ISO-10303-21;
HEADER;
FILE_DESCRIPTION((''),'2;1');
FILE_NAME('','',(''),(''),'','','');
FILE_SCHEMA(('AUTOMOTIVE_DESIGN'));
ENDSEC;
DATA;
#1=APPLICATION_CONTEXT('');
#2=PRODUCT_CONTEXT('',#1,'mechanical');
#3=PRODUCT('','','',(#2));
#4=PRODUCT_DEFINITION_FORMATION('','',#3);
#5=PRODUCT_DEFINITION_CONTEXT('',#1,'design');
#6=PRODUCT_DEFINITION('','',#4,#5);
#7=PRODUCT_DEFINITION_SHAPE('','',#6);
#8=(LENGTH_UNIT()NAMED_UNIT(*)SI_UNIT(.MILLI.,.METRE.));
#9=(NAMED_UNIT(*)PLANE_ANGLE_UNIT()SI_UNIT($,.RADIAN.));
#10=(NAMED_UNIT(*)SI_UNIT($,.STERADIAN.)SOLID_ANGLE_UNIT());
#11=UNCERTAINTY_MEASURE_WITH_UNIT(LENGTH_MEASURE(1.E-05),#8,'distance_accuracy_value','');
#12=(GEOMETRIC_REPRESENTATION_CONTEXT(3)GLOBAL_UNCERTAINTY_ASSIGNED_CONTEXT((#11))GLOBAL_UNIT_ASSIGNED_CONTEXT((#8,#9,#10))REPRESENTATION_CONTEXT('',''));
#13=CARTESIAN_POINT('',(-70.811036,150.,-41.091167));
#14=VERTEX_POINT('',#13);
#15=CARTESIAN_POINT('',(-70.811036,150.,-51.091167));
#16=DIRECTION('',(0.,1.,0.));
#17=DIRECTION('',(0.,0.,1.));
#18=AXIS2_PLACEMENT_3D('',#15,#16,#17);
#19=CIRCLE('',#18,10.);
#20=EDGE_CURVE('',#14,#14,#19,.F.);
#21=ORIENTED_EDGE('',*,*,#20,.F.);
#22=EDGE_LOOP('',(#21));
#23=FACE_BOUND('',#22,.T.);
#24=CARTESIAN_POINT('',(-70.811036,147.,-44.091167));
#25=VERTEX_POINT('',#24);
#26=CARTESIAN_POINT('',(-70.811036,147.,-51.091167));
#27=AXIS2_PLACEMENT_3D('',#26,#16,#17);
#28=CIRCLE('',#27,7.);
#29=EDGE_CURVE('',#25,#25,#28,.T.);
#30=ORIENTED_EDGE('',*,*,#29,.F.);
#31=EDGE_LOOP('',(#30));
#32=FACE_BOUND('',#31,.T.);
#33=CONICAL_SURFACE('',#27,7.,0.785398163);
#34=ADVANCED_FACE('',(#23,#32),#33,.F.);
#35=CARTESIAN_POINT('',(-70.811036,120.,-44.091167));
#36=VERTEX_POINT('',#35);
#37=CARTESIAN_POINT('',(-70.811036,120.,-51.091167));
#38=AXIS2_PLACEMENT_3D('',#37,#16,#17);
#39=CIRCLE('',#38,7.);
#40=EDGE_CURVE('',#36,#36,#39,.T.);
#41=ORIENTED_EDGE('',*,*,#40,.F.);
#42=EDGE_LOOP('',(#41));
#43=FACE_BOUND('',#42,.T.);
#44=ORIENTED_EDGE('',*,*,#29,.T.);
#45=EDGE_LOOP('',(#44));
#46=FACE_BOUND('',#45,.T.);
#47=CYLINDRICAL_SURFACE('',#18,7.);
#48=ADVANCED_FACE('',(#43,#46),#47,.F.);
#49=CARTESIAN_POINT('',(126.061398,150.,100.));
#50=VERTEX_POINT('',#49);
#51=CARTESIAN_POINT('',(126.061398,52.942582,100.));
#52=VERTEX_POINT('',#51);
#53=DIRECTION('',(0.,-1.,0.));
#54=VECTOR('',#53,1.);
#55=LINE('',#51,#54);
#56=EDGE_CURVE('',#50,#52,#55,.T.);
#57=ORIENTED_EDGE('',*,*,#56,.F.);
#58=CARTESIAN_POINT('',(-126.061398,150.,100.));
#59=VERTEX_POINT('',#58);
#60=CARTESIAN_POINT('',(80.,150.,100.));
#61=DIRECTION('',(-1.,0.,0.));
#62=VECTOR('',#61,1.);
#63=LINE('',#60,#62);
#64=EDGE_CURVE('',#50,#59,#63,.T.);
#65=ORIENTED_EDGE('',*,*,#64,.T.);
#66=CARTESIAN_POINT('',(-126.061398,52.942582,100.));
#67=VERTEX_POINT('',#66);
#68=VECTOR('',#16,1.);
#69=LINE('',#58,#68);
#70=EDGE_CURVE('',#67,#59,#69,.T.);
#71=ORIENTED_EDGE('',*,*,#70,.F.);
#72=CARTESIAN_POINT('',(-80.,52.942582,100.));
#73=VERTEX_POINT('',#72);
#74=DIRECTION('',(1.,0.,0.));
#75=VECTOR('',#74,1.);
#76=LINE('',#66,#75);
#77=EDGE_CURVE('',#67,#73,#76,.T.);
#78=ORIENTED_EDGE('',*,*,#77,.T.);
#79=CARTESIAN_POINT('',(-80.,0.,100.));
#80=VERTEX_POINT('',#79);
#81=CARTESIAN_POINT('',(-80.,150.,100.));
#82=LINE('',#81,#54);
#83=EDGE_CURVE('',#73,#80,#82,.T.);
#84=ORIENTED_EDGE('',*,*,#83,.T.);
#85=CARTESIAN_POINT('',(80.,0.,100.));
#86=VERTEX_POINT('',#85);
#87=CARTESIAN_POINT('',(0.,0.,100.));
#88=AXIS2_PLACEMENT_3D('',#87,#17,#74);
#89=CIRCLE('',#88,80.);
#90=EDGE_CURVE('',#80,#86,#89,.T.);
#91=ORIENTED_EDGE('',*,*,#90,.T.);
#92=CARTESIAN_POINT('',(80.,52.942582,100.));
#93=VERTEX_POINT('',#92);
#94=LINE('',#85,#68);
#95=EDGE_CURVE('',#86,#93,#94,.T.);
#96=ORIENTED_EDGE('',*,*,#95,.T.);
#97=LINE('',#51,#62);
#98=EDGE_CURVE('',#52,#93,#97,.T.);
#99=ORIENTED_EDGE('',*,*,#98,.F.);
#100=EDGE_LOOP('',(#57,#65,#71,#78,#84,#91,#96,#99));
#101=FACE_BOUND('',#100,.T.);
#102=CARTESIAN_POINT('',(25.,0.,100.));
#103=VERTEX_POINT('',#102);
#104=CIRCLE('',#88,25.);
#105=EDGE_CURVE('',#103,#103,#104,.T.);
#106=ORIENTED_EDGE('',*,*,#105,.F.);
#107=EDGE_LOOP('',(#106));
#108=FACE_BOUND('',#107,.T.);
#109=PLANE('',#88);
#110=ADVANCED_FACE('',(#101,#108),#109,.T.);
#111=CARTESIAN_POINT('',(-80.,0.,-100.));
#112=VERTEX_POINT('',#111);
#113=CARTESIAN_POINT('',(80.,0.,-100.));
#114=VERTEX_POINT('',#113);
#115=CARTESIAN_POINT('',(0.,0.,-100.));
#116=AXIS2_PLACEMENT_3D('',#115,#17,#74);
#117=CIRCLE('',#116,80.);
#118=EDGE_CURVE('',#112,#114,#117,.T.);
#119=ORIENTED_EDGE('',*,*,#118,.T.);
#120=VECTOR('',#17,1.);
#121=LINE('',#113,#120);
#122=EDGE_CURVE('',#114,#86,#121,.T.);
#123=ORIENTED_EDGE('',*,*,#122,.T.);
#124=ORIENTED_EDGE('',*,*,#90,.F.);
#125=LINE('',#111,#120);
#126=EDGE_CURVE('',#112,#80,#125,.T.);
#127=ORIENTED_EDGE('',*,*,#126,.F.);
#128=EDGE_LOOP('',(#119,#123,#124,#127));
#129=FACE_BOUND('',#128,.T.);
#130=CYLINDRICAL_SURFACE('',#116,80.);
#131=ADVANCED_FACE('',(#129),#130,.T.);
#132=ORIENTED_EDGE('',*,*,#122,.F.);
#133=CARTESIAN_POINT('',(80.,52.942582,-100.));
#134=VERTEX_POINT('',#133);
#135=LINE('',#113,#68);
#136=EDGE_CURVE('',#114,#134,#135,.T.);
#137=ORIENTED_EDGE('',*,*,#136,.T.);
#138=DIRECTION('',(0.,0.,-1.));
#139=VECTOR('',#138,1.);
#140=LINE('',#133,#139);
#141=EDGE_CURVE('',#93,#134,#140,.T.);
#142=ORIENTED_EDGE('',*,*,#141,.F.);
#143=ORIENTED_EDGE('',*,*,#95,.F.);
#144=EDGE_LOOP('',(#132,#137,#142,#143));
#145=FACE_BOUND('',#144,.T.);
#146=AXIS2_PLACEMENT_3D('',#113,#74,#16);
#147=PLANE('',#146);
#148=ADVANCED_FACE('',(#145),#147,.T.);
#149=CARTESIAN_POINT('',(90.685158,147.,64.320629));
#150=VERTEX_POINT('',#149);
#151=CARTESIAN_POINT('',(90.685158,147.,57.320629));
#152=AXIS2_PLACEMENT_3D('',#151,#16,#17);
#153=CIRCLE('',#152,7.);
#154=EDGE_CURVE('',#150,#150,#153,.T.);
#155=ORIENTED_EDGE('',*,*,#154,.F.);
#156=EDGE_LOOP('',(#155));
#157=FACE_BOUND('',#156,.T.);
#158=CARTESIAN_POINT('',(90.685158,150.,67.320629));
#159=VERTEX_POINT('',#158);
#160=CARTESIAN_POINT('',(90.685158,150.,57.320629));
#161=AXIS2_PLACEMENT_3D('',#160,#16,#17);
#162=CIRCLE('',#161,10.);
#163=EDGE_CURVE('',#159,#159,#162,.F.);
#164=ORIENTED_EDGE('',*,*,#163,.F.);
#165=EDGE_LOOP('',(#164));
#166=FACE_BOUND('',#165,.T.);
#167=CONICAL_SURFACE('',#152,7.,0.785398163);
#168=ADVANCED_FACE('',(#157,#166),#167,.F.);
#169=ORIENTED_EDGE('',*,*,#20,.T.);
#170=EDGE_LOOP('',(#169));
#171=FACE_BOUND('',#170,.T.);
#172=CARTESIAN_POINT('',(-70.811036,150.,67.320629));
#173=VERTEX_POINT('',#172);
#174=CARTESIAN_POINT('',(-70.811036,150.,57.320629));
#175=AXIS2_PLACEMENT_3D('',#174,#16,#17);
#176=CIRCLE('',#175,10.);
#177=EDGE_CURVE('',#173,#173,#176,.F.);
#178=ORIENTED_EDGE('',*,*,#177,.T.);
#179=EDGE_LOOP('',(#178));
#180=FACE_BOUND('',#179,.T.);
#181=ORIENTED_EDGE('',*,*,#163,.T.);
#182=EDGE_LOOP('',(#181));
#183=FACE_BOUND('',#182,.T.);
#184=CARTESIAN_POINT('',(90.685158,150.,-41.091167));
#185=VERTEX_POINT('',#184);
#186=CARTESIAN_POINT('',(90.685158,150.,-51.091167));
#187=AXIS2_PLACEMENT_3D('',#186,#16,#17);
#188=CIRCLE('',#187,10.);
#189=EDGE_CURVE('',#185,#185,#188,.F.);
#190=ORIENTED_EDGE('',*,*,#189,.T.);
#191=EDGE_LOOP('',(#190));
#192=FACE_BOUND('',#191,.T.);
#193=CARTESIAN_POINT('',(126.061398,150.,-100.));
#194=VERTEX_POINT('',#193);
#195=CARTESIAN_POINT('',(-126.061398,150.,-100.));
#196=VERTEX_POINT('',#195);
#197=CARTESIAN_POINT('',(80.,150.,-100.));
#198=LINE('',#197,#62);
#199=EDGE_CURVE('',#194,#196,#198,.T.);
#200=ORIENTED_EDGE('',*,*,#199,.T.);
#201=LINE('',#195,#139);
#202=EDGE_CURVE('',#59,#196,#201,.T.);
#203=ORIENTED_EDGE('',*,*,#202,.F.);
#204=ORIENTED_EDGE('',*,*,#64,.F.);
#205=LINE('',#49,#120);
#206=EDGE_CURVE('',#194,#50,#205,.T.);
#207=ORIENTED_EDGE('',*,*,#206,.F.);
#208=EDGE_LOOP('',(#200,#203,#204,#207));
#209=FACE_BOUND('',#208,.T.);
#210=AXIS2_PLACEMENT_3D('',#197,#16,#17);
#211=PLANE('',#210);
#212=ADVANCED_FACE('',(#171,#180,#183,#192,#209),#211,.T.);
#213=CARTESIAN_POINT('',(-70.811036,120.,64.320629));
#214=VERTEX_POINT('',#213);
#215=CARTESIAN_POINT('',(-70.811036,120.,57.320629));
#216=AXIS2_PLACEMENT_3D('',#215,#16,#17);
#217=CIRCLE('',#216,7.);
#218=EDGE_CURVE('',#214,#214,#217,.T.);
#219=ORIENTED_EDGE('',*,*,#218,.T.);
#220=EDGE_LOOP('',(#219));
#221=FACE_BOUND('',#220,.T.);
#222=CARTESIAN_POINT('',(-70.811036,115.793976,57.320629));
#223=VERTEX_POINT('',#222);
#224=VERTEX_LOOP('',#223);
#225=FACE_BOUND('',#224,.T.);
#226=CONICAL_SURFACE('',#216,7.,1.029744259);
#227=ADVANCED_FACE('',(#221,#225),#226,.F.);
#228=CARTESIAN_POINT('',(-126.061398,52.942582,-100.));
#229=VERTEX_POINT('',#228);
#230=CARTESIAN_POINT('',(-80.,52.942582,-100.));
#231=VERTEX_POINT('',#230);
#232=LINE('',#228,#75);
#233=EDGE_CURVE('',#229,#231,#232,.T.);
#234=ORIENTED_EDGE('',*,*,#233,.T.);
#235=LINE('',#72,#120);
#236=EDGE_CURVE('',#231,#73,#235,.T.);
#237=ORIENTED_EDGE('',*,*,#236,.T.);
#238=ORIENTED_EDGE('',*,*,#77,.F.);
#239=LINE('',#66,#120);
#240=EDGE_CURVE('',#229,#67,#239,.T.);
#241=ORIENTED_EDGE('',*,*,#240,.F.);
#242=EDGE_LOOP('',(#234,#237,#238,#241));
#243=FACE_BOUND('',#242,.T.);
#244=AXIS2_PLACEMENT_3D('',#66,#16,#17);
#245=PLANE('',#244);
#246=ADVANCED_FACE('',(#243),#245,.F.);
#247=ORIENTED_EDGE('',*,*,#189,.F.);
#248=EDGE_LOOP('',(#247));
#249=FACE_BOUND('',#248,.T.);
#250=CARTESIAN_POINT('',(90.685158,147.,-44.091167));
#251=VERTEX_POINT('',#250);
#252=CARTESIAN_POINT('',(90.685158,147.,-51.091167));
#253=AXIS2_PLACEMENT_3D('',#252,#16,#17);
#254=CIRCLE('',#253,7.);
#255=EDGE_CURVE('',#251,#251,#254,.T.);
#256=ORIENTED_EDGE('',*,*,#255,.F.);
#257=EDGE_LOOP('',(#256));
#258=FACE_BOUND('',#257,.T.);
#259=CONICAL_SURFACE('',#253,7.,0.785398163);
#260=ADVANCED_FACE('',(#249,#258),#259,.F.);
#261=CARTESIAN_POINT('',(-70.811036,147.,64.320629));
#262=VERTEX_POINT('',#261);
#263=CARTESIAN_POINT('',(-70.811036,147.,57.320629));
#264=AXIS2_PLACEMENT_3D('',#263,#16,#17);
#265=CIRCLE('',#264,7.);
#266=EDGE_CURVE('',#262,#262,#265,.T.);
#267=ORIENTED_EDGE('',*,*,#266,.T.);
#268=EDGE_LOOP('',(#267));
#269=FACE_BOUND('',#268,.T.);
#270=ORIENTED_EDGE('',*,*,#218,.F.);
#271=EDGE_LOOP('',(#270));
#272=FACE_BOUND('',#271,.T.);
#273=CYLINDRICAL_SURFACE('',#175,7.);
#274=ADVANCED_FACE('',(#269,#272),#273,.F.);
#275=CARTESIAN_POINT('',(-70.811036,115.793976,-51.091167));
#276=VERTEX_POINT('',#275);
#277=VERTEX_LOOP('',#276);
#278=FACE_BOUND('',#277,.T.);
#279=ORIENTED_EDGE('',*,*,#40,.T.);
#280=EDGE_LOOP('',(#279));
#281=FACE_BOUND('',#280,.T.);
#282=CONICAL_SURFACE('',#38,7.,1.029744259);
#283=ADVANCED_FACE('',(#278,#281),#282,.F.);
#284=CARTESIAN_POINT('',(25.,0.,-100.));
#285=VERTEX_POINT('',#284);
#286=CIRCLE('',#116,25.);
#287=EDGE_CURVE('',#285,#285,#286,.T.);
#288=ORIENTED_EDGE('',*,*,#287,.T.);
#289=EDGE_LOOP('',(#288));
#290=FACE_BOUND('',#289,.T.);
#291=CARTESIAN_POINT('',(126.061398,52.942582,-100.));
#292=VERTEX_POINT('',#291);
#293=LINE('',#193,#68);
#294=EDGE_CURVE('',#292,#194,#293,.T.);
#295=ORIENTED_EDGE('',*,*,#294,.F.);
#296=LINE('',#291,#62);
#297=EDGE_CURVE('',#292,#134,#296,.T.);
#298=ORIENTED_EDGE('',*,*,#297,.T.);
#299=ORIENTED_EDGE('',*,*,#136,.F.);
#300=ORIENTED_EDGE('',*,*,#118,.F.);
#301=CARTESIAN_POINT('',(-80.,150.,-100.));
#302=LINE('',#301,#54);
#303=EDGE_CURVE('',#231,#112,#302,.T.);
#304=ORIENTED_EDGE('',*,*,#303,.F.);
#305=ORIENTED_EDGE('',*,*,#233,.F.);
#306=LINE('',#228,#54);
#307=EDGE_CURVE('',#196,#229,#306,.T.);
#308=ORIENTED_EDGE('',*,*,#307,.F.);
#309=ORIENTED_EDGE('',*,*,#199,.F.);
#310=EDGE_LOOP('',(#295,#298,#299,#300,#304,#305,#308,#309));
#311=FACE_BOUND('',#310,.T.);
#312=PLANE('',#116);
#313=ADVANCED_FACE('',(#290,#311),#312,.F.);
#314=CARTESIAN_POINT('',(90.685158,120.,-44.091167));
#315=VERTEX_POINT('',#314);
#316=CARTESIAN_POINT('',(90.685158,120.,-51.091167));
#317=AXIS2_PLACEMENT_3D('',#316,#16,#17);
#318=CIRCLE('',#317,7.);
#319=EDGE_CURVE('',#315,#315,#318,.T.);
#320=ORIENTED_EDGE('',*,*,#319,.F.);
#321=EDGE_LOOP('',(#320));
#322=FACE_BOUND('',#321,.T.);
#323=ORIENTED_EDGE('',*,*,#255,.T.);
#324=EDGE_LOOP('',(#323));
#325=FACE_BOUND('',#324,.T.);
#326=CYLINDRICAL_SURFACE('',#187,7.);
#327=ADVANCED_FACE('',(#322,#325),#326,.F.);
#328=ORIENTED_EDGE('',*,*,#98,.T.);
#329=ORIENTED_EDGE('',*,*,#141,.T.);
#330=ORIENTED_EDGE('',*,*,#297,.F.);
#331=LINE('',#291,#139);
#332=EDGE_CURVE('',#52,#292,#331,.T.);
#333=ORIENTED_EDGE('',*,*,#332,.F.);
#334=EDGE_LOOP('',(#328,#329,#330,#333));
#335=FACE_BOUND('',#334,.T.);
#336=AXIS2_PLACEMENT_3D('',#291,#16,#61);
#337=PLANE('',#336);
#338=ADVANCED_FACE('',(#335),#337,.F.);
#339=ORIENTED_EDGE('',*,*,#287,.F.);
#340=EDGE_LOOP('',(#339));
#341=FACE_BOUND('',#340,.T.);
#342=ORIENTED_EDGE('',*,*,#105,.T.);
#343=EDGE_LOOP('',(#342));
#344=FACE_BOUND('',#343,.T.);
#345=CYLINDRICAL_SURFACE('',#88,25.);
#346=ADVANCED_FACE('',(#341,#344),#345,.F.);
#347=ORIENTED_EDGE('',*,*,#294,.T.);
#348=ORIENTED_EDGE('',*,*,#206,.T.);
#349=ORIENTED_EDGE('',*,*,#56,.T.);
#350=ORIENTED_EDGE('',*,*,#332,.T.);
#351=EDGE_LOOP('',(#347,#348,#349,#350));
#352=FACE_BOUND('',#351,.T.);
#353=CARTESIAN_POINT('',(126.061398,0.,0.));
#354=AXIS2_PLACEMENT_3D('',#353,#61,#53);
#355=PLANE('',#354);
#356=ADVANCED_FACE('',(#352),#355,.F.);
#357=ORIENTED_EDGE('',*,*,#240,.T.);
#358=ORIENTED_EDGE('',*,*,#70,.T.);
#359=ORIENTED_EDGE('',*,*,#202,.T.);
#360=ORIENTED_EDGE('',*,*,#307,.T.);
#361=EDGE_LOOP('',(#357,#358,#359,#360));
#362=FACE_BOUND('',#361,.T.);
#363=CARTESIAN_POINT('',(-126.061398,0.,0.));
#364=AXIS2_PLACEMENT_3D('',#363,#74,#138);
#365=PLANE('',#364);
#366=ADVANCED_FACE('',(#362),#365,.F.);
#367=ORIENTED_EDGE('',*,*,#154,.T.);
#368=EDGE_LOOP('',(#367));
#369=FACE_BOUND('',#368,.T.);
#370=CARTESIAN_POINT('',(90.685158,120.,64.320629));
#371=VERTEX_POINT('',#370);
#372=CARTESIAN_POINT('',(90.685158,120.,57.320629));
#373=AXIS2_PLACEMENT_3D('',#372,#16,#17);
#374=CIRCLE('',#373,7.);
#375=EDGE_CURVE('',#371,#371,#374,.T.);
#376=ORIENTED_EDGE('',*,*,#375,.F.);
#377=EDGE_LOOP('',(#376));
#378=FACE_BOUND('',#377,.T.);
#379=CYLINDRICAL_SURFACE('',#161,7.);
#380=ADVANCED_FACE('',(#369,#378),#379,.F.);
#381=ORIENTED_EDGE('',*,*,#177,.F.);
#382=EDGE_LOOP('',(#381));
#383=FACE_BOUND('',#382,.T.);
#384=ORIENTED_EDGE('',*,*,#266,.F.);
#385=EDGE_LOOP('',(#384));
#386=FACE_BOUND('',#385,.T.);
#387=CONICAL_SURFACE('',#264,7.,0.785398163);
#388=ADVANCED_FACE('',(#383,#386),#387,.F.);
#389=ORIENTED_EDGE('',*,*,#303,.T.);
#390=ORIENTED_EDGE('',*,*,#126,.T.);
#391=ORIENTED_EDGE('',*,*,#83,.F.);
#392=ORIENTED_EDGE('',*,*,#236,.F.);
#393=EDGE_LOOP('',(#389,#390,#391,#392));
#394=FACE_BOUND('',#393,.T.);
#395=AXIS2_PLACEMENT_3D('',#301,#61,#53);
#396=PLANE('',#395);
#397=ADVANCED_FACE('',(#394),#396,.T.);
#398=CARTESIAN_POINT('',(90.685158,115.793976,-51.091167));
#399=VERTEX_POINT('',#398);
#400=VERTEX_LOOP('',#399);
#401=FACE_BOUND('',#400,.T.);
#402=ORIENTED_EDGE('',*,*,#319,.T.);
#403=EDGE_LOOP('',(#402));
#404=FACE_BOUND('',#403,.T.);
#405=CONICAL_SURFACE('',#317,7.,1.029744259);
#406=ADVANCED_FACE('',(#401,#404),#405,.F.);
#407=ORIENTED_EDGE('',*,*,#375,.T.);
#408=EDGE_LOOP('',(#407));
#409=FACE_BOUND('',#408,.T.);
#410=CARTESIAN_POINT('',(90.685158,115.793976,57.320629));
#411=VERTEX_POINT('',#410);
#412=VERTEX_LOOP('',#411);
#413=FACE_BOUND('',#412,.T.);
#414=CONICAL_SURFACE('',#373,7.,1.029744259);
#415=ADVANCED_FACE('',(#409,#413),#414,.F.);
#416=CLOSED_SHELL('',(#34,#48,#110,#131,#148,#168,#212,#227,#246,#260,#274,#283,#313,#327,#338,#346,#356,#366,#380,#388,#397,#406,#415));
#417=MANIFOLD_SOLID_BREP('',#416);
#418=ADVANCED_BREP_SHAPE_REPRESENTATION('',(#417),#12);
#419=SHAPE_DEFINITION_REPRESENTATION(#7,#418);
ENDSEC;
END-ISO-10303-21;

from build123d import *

# Parameters (mm, degrees)
EXTRUDE_1_DEPTH     = 200
SKETCH_2_W          = 200
SKETCH_2_H          = 97.057417657
EXTRUDE_2_DEPTH     = 46.061398085
SKETCH_3_W          = 200
SKETCH_3_H          = 97.057417639
EXTRUDE_3_DEPTH     = 46.061398049
HOLE_WIZARD_1_D     = 50
HOLE_WIZARD_2_D     = 14
HOLE_WIZARD_2_DEPTH = 30
HOLE_WIZARD_2_TIP   = 4.206024333
CHAMFER_1_SIZE      = 3


with BuildPart() as part:
    # 草图1 → 凸台-拉伸1 (new body)
    with BuildSketch(Plane.XY.offset(100)):
        with BuildLine():
            Line((80.000000036, 0), (80.000000036, 150))
            Line((80.000000036, 150), (-80.000000036, 150))
            Line((-80.000000036, 150), (-80.000000036, 0))
            ThreePointArc((-80.000000036, 0), (0, -80.000000036), (80.000000036, 0))
        make_face()
    extrude(amount=-EXTRUDE_1_DEPTH)

    # 草图2 → 凸台-拉伸2 (add)
    with BuildSketch(Plane(origin=(80.000000036, 0, 0), x_dir=(0, 0, -1), z_dir=(1, 0, 0))):
        with Locations((0, 101.471291153)):
            Rectangle(SKETCH_2_W, SKETCH_2_H)
    extrude(amount=EXTRUDE_2_DEPTH)

    # 草图3 → 凸台-拉伸3 (add)
    with BuildSketch(Plane.ZY.offset(80.000000036)):
        with Locations((0, 101.471291181)):
            Rectangle(SKETCH_3_W, SKETCH_3_H)
    extrude(amount=EXTRUDE_3_DEPTH)

    # 孔1 (through all)
    with Locations(Plane.XY.offset(100)):
        with Locations((0, 0)):
            Hole(HOLE_WIZARD_1_D / 2)

    # 孔2
    with Locations(Plane(origin=(0, 150, 0), x_dir=(1, 0, 0), z_dir=(0, 1, 0))):
        with Locations((-70.811035645, 51.091167344), (-70.811035645, -57.320629237), (90.685157882, -57.320629237), (90.685157882, 51.091167344)):
            Hole(HOLE_WIZARD_2_D / 2, depth=HOLE_WIZARD_2_DEPTH)
            with Locations((0, 0, -(HOLE_WIZARD_2_DEPTH + HOLE_WIZARD_2_TIP / 2))):  # 118° drill point
                Cone(0, HOLE_WIZARD_2_D / 2, HOLE_WIZARD_2_TIP, mode=Mode.SUBTRACT)

    # 倒角1
    chamfer_1_edges = [part.edges().sort_by_distance(p)[0] for p in [
        (97.685157882, 150, -51.091167344),
        (97.685157882, 150, 57.320629237),
        (-63.811035645, 150, 57.320629237),
        (-63.811035645, 150, -51.091167344),
    ]]
    chamfer(chamfer_1_edges, length=CHAMFER_1_SIZE)


solid = part.part
